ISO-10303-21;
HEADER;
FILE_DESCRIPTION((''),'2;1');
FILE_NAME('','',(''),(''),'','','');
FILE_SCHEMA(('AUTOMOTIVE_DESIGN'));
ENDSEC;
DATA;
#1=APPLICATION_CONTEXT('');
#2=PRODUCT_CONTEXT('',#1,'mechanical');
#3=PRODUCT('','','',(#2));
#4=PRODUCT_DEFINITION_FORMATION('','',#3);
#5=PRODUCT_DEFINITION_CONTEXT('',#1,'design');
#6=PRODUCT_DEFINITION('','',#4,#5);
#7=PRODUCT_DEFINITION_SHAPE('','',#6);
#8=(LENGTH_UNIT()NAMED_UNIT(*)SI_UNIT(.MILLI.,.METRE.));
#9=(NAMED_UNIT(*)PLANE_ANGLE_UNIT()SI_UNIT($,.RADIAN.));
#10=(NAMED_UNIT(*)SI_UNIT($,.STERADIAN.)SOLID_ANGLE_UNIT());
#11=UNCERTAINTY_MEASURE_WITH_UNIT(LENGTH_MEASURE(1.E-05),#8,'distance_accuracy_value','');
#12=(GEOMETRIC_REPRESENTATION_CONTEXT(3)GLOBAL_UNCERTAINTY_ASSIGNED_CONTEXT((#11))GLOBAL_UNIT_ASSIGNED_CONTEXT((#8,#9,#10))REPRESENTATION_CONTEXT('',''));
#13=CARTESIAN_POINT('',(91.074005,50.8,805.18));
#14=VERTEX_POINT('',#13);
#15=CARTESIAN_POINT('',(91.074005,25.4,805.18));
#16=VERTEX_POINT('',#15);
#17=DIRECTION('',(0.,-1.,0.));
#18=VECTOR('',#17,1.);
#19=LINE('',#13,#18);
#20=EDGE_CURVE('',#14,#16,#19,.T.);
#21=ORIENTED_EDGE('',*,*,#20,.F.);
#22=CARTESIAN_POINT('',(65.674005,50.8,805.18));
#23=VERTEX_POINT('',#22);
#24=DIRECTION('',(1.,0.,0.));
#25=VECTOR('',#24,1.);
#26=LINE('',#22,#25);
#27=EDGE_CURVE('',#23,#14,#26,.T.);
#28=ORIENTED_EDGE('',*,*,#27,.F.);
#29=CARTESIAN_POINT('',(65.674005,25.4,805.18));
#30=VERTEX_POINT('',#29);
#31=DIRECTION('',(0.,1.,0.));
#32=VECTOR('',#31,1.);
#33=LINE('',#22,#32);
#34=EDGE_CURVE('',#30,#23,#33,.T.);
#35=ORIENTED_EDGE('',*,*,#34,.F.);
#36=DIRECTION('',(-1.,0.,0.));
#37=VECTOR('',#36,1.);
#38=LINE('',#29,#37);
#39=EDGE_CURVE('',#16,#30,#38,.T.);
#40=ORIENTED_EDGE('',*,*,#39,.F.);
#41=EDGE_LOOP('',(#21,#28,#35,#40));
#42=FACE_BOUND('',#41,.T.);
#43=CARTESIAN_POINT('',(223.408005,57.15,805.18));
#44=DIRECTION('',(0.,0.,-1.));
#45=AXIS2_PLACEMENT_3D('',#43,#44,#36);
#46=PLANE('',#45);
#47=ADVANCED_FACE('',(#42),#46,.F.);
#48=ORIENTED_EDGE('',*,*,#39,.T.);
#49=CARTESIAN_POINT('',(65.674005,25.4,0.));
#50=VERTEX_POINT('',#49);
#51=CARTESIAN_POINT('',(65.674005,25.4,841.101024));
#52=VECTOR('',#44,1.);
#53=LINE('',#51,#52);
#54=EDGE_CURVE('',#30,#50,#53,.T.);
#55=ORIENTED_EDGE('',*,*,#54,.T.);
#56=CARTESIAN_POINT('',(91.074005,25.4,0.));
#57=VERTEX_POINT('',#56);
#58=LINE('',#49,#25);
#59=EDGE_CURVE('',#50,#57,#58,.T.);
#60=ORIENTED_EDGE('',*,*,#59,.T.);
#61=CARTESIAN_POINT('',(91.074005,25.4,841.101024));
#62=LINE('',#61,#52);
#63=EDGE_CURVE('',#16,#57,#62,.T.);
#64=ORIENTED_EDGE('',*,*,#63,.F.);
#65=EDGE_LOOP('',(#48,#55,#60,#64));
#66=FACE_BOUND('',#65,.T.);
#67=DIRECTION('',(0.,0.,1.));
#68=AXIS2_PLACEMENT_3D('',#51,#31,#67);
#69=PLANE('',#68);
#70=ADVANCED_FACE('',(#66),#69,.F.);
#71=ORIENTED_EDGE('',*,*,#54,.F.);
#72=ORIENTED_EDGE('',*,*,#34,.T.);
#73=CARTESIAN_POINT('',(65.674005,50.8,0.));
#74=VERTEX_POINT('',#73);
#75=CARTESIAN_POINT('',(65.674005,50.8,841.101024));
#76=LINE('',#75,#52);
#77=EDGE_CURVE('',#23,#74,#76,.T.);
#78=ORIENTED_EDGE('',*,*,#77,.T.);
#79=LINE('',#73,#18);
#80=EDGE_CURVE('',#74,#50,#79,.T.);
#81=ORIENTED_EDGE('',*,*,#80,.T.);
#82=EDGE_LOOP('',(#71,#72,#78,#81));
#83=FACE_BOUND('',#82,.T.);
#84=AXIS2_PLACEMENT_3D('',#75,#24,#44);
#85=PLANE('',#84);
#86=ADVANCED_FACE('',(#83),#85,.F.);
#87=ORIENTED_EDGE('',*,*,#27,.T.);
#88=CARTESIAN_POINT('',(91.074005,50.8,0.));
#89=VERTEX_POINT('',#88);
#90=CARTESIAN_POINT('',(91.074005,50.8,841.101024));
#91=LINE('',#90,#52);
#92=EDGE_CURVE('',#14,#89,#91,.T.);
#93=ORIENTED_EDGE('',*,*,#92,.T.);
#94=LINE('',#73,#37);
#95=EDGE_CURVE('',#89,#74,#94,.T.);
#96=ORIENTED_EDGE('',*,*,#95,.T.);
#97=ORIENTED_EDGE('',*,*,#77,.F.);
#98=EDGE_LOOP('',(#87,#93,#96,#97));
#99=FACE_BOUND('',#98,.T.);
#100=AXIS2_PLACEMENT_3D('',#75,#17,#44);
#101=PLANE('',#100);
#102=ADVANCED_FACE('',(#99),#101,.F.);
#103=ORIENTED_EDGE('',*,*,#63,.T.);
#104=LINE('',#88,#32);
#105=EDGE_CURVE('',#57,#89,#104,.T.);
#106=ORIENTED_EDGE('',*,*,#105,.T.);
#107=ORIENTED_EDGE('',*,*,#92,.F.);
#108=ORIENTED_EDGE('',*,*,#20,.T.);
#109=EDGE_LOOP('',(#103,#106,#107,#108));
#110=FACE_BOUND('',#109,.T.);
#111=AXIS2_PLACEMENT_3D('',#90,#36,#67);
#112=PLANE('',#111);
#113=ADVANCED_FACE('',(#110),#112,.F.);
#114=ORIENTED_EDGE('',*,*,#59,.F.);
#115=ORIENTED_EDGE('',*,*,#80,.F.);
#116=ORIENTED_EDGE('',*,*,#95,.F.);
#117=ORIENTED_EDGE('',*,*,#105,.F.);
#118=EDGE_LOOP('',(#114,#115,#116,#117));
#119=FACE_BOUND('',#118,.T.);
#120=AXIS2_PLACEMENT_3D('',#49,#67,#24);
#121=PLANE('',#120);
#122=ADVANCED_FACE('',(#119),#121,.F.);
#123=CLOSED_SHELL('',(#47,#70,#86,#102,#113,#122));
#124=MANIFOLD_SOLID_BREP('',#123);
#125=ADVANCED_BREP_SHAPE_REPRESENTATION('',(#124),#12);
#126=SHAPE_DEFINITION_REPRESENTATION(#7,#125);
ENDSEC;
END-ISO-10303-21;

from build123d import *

# Parameters (mm, degrees)
SKETCH1_W      = 25.4
SKETCH1_H      = 25.4
EXTRUDE1_DEPTH = 805.18


with BuildPart() as part:
    # Sketch1 → Extrude1 (new body)
    with BuildSketch(Plane.XY):
        with Locations((78.374005341, 38.1)):
            Rectangle(SKETCH1_W, SKETCH1_H)
    extrude(amount=EXTRUDE1_DEPTH)


solid = part.part
